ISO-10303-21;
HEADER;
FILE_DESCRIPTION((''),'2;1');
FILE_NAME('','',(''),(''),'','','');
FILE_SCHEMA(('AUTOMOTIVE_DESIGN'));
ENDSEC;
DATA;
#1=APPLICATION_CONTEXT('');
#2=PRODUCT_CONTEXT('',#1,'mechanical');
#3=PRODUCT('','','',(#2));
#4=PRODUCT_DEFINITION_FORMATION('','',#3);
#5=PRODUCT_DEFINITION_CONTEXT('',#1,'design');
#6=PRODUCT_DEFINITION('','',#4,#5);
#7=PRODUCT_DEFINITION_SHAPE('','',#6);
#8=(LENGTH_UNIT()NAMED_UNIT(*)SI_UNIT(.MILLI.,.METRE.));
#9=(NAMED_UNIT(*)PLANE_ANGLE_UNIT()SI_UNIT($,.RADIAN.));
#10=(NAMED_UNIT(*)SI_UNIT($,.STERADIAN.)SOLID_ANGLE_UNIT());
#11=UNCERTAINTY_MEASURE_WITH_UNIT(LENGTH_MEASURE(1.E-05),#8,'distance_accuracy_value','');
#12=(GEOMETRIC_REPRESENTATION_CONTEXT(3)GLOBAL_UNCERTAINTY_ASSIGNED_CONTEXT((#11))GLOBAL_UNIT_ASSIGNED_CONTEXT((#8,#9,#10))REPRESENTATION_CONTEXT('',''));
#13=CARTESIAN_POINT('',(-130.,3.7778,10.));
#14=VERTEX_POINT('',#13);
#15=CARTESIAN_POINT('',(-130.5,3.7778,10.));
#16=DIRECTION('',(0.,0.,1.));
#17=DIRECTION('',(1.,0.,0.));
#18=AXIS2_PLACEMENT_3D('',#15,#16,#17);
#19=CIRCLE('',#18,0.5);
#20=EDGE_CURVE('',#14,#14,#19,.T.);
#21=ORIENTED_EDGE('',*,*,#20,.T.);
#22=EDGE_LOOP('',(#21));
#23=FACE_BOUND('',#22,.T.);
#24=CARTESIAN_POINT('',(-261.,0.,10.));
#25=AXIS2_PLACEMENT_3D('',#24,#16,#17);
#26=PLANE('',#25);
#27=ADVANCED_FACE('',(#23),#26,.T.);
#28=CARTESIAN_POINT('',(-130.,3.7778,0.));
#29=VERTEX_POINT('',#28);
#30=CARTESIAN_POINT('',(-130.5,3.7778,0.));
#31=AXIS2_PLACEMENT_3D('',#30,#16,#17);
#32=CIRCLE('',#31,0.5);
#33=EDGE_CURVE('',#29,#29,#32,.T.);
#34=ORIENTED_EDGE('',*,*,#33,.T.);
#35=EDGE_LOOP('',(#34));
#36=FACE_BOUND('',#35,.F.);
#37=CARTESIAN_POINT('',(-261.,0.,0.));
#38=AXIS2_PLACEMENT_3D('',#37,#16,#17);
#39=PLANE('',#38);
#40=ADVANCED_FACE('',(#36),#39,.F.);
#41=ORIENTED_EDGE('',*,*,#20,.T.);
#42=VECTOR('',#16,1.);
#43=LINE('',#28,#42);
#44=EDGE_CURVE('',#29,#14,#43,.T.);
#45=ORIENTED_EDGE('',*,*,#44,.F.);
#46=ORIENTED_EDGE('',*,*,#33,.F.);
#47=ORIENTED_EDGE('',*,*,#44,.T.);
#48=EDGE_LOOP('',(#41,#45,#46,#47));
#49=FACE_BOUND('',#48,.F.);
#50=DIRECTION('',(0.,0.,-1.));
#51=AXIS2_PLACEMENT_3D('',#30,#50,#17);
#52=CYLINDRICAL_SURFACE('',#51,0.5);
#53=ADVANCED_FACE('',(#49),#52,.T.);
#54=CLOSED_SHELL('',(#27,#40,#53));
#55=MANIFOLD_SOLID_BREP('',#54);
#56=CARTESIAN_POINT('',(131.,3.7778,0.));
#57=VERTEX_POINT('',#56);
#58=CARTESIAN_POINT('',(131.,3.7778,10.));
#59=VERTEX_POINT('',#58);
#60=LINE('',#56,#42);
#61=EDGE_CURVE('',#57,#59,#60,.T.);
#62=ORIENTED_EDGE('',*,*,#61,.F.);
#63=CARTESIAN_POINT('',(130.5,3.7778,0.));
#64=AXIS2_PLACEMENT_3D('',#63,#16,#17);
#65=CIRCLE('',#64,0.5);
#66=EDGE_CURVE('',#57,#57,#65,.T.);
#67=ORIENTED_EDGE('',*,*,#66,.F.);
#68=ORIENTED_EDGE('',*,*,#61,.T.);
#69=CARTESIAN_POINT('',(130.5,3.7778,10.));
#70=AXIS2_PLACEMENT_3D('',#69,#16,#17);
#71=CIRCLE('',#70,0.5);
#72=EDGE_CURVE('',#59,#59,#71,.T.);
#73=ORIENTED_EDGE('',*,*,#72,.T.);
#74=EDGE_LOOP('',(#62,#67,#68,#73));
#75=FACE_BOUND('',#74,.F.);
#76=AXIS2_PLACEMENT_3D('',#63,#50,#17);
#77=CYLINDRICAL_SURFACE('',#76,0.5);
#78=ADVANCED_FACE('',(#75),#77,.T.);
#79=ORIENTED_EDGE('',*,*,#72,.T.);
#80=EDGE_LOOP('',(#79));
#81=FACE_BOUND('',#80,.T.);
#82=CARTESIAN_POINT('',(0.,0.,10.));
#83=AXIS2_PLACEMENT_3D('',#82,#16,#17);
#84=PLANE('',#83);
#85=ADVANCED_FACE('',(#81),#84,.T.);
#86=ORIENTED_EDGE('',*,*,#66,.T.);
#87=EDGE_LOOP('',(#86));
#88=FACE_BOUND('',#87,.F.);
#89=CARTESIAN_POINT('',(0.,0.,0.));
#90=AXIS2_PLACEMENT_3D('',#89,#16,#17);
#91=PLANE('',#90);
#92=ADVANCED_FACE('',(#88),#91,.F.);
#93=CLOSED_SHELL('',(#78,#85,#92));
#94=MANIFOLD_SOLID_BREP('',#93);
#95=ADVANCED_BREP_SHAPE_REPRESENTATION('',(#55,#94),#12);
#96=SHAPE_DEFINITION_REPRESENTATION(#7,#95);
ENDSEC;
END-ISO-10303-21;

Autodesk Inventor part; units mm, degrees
ref_plane "YZ Plane" through (0, 0, 0) normal (1, 0, 0) x (0, 1, 0)
ref_plane "XZ Plane" through (0, 0, 0) normal (0, 1, 0) x (-1, 0, 0)
ref_plane "XY Plane" through (0, 0, 0) normal (0, 0, 1) x (1, 0, 0)
sketch "Sketch1" plane through (0, 0, 0) normal (0, 0, 1) x (1, 0, 0)
  line L0 (-190.5, -10.9695) -> (190.5, -10.9695)
  line L1 (190.5, -10.9695) -> (190.5, 10.9695)
  line L2 (190.5, 10.9695) -> (-190.5, 10.9695)
  line L3 (-190.5, 10.9695) -> (-190.5, -10.9695)
  line L4 (-190.5, -10.9695) -> (190.5, 10.9695) construction
  line L5 (190.5, -10.9695) -> (-190.5, 10.9695) construction
  point P0 (0, 0)
  dimension "d0" = 381
  dimension "d1" = 21.939
sketch "Lamello" plane through (0, 0, 0) normal (0, 0, 1) x (1, 0, 0)
  line L0 (48.383, 141.1858) -> (42.783, 141.1858)
  line L1 (40.583, 139.6858) -> (40.583, 114.6858)
  line L2 (42.783, 113.1858) -> (48.383, 113.1858)
  line L3 (50.583, 114.6858) -> (50.583, 139.6858)
  line L4 (50.583, 139.6858) -> (48.383, 141.1858)
  line L5 (40.583, 139.6858) -> (42.783, 141.1858)
  line L6 (40.583, 114.6858) -> (42.783, 113.1858)
  line L7 (50.583, 114.6858) -> (48.383, 113.1858)
  line L8 (50.583, 127.1858) -> (40.583, 127.1858)
  line L9 (45.583, 141.1858) -> (45.583, 113.1858)
  point P0 (45.583, 127.1858)
  point P1 (50.583, 141.1858)
  point P2 (40.583, 113.1858)
  point P3 (40.583, 141.1858)
  point P4 (50.583, 113.1858)
  dimension "d54" = 10
  dimension "d55" = 28
  dimension "d56" = 1.5
  dimension "d57" = 2.2
  dimension "d58" = 1.5
  dimension "d59" = 2.2
  dimension "d60" = 1.5
  dimension "d61" = 2.2
  dimension "d62" = 1.5
  dimension "d63" = 2.2
sketch "Sketch2" plane through (0, 0, 0) normal (0, 0, 1) x (1, 0, 0)
  circle A0 centre (130.5, 3.7778) radius 0.5
  line L0 (190.5, 10.9695) -> (-190.5, 10.9695) projected
  line L1 (-190.5, -10.9695) -> (190.5, -10.9695) projected
  line L2 (0, -145.0303) -> (0, 106.9697) projected
  line L3 (190.5, -10.9695) -> (190.5, 10.9695) projected
  point P0 (0, 0)
  dimension "d4" = 1
  dimension "d50" = 7.1917
  dimension "d70" = 60
extrude "Extrusion1" add sketch "Sketch2" along normal blind 10 contours A0
pattern_linear "Clamex Array" count 2 spacing 261 along (-1, 0, 0) of "Extrusion1"
sketch "Edge-Side Connection" plane through (0, 0, 0) normal (1, 0, 0) x (0, 1, 0)
  line L0 (-50, 0) -> (50, 0)
  line L1 (50, 0) -> (50, 19)
  line L2 (50, 19) -> (-50, 19)
  line L3 (-50, 19) -> (-50, 0)
  line L4 (-10.9695, 0) -> (-34.0635, -40)
  line L5 (-34.0635, -40) -> (-12.1245, -40)
  line L6 (-12.1245, -40) -> (10.9695, 0)
  line L7 (-2.9208, -14) -> (-2.9208, 14) construction
  line L8 (10.9695, 0) -> (2.0792, 0)
  line L9 (-7.9208, -12.5) -> (-15.62, -8.0549)
  point P0 (0, 0)
  point P1 (10.9695, 0)
  point P2 (0, 0)
  dimension "d26" = 100
  dimension "d27" = 19
  dimension "d28" = 40
  dimension "OtherSideRefYCoordinate" = 8.0487
  dimension "ReferenceCoord" = 13.8903
  dimension "d49" = 120
sketch "Edge-Edge Connection" plane through (0, 0, 0) normal (1, 0, 0) x (0, 1, 0)
  line L0 (-109.0303, 19) -> (10.9697, 19)
  line L1 (10.9697, 19) -> (0, 0)
  line L2 (0, 0) -> (-109.0303, 0)
  line L3 (-109.0303, 0) -> (-109.0303, 19)
  line L4 (10.9697, 19) -> (70.9697, -84.923)
  line L5 (0, 0) -> (54.5152, -94.423)
  line L6 (54.5152, -94.423) -> (70.9697, -84.923)
  line L7 (1.0958, 1.8981) -> (0, 0)
  line L8 (-4.7295, 16.8083) -> (-4.7295, 19)
  point P0 (3.5958, 6.2282)
  dimension "d51" = 19
  dimension "d53" = 19
  dimension "EdgeEdgeReferenceCoord" = 7.1917
  dimension "d65" = 120
  dimension "d66" = 120
  dimension "d67" = 120
  dimension "EdgeEdgeOtherSideRefYCoordinate" = 14.7476
equation "\"d9\" = Step"
equation "\"d27\" = NestleBoardT"
equation "\"d0\" = ContactPatchWidth"
equation "\"d1\" = ContactPatchHeight"
equation "\"ContactPatchWidth\" = 381"
equation "\"ContactPatchHeight\" = 21.939"
equation "\"PlacingWidth\" = 261"
equation "\"MinDistBetween\" = 96"
equation "\"Step\" = 261"
equation "\"Y_Coord\" = 7.19169"
equation "\"NestleBoardT\" = 19"
equation "\"PillarBoardT\" = 19"
equation "\"AngleForYPositionCalc\" = 120deg"
equation "\"ConnectionAngle\" = 120deg"
equation "\"ShiftY\" = 0"
properties part number "Clamex Joint11600"
